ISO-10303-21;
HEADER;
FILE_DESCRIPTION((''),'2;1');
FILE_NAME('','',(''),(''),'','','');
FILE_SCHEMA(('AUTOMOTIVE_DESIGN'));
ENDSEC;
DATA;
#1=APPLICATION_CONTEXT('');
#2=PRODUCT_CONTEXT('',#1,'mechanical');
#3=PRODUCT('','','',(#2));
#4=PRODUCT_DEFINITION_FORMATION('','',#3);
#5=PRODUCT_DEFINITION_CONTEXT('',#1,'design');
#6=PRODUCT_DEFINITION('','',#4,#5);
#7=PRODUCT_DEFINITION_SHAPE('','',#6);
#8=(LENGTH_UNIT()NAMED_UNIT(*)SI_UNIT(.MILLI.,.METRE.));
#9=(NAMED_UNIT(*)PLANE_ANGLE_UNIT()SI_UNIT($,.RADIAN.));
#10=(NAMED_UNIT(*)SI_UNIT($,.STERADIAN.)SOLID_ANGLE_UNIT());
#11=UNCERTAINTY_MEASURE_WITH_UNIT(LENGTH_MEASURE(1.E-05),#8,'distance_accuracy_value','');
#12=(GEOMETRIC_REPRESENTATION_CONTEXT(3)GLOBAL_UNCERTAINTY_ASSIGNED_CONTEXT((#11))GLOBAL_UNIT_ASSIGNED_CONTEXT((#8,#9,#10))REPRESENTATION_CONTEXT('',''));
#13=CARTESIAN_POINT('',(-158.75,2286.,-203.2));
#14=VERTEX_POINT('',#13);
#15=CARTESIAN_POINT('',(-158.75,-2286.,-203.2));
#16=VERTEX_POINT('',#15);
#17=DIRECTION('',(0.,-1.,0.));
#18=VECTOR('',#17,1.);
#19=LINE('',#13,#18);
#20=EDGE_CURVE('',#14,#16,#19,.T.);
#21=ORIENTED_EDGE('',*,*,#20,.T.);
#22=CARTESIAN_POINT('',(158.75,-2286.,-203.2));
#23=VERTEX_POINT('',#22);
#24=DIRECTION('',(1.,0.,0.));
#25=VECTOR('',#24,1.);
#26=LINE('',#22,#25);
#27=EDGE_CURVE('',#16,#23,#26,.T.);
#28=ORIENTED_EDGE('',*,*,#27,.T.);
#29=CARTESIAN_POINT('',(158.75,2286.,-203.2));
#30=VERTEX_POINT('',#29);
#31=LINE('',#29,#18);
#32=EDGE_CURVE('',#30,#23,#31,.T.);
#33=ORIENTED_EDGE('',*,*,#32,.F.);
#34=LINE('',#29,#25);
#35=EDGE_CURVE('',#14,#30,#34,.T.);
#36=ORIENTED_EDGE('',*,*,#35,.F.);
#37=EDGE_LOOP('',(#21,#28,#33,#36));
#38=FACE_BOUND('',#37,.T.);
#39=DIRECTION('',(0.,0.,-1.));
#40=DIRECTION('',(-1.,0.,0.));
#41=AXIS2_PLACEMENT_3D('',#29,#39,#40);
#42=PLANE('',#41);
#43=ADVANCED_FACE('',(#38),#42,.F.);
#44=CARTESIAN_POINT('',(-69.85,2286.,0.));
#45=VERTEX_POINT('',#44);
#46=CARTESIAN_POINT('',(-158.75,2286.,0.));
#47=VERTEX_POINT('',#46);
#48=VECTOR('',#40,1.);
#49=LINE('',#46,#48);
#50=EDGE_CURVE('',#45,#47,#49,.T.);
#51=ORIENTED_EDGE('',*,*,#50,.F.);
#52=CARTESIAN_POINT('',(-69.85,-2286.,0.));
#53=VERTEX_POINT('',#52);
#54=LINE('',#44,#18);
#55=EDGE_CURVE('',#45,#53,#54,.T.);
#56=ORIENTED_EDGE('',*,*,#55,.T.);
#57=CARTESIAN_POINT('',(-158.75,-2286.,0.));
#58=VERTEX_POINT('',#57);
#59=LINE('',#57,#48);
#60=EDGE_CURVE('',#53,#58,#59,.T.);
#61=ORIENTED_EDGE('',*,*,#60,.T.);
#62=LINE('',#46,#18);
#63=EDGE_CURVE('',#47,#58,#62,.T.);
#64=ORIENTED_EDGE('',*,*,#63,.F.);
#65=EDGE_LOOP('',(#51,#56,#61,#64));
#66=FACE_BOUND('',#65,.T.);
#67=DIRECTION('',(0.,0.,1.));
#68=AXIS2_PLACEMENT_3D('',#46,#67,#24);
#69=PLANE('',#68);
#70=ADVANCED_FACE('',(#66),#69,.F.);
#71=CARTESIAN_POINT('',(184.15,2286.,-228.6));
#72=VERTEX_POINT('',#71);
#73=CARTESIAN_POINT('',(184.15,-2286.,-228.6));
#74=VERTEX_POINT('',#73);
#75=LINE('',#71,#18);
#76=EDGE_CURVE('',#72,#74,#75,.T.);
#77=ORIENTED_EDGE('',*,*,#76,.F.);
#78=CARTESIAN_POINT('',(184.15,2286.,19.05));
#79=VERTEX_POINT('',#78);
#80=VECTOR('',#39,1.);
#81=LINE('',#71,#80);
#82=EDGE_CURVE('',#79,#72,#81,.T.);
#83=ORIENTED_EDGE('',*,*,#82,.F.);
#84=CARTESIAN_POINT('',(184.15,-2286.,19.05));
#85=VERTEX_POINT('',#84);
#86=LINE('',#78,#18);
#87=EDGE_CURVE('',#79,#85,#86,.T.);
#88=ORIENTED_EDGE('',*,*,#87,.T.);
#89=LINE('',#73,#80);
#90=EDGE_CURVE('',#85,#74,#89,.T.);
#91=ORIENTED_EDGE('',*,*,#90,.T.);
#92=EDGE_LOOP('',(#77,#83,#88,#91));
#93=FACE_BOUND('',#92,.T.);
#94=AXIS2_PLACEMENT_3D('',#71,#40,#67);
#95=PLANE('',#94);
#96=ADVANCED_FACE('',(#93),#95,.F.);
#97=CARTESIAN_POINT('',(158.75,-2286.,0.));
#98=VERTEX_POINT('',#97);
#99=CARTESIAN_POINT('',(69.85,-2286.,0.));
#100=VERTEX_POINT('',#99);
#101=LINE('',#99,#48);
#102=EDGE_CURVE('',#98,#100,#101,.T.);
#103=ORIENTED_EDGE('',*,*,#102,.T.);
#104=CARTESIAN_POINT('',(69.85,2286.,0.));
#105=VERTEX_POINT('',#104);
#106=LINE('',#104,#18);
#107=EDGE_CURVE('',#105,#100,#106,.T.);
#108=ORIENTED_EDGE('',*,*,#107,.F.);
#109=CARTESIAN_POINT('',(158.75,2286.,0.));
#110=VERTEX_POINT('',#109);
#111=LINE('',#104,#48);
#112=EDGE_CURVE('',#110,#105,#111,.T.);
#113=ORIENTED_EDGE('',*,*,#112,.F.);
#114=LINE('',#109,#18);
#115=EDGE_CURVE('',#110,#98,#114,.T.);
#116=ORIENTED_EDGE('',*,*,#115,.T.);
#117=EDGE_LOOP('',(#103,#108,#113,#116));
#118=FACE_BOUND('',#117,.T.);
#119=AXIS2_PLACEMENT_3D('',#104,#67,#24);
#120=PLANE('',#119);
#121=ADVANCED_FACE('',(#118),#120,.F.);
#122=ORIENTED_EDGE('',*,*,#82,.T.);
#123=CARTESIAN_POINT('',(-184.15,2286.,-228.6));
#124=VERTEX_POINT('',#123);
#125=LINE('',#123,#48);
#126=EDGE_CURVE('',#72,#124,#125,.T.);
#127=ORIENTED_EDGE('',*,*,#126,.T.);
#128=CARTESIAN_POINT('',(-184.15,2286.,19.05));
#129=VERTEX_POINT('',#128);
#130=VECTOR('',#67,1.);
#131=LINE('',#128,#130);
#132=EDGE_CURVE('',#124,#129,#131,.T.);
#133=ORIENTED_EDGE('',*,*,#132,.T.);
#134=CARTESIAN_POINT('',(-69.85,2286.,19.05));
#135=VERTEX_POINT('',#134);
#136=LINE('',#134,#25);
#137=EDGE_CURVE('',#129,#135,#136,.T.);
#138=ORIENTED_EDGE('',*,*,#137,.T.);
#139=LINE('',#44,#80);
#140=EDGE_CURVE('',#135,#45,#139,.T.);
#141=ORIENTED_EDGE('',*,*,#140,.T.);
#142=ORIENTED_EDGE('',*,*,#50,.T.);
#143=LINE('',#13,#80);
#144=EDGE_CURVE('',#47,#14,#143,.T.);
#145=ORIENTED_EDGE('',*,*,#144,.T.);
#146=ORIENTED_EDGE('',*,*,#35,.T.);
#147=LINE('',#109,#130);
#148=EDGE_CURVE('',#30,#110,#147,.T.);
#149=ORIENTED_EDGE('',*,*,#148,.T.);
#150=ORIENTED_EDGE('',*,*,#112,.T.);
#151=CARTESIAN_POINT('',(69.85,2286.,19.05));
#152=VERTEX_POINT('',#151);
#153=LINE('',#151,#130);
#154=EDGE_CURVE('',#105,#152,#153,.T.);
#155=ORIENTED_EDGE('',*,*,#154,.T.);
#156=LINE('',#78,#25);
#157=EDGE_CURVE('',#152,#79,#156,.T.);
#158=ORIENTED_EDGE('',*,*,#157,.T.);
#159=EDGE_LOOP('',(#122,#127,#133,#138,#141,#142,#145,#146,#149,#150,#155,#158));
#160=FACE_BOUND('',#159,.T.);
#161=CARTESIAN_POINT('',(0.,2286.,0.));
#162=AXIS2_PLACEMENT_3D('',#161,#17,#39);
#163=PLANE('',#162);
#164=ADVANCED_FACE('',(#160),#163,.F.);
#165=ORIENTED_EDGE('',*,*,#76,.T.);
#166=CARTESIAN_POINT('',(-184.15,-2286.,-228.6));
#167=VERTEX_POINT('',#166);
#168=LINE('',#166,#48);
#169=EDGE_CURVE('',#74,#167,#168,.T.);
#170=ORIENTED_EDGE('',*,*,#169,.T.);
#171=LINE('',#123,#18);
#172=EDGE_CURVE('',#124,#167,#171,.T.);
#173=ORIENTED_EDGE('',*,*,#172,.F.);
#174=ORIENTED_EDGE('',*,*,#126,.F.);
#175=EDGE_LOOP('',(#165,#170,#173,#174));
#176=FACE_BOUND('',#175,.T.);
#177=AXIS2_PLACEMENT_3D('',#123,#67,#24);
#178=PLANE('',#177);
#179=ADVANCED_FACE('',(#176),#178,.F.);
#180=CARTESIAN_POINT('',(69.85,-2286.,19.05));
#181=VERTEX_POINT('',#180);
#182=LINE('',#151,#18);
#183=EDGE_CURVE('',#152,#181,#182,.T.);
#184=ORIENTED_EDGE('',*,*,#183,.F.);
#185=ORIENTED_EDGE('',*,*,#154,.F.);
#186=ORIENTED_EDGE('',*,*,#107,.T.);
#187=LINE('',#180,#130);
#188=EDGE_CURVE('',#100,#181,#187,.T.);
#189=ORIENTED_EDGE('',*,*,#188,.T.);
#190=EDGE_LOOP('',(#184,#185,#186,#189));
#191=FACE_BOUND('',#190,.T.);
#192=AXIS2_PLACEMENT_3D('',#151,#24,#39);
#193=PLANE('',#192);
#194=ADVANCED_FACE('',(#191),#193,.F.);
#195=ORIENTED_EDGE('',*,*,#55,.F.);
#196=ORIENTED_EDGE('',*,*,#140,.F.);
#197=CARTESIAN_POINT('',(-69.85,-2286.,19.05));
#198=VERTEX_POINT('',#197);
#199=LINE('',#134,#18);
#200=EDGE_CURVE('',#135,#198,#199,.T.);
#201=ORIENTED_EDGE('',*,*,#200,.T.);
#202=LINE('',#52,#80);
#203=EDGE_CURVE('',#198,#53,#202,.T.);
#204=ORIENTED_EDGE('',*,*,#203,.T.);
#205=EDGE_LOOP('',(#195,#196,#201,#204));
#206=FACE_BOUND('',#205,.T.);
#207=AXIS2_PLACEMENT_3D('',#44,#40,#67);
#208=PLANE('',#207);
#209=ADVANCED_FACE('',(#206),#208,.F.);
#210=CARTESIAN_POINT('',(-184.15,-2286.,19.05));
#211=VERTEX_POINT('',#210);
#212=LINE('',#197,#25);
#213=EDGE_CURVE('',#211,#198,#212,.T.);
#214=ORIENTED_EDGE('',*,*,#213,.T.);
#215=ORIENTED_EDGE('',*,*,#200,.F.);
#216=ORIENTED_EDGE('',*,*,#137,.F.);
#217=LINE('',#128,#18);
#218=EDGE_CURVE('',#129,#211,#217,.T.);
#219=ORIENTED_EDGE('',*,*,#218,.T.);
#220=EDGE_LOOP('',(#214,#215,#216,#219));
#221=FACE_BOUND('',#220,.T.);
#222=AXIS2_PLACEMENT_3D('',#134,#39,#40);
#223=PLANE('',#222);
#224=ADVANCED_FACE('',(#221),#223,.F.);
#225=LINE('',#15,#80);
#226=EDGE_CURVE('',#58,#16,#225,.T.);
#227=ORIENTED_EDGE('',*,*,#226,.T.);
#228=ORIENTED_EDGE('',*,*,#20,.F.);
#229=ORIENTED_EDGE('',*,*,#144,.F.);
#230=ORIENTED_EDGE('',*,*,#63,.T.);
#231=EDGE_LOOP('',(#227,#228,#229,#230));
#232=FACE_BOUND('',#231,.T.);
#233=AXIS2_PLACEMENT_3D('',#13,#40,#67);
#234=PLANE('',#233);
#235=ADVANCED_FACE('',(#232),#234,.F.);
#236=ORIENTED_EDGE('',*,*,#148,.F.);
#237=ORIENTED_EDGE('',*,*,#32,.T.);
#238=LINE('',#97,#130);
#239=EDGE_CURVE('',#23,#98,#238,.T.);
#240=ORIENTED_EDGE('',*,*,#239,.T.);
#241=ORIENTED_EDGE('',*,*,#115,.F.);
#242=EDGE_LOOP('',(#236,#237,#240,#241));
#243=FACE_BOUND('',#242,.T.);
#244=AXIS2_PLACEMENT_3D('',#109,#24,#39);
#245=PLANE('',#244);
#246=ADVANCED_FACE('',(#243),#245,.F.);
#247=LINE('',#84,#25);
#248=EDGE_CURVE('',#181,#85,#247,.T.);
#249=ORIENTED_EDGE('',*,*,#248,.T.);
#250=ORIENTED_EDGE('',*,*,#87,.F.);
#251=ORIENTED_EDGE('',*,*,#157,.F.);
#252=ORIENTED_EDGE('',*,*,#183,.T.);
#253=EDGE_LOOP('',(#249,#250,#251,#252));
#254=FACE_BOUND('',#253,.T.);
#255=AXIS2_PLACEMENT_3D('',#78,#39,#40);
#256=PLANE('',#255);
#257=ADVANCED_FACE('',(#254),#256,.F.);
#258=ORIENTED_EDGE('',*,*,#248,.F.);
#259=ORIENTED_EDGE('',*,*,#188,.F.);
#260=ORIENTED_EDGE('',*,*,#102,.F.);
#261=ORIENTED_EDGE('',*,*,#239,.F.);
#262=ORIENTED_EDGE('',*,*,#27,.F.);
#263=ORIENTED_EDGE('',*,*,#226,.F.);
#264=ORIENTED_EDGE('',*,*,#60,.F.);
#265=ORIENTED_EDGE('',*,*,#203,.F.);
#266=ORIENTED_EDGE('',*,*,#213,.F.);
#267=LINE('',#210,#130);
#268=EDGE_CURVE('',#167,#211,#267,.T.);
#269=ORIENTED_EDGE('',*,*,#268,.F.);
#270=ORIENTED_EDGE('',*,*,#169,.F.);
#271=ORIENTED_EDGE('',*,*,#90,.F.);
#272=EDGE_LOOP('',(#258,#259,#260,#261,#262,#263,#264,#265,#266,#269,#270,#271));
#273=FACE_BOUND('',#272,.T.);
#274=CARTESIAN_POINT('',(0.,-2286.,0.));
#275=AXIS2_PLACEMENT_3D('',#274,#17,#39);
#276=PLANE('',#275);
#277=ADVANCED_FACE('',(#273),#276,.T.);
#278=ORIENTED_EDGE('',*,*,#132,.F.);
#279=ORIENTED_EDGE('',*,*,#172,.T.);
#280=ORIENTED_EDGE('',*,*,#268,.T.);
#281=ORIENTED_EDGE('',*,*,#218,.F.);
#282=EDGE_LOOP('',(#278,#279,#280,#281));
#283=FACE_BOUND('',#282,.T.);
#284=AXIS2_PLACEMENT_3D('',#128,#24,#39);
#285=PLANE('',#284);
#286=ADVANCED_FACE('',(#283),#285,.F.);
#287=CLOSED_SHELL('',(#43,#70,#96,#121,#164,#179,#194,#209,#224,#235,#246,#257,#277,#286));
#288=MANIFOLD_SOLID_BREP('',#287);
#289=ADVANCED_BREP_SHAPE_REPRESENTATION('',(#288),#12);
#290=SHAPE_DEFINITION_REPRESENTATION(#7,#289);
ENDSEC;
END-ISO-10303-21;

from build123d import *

# Parameters (mm, degrees)
BOSS_EXTRUDE1_DEPTH = 2286


with BuildPart() as part:
    # Sketch1 → Boss-Extrude1 (new, symmetric)
    with BuildSketch(Plane(origin=(0, 0, 0), x_dir=(1, 0, 0), z_dir=(0, 1, 0))):
        Polygon((-184.15, 228.6), (184.15, 228.6), (184.15, -19.05), (69.85, -19.05), (69.85, 0), (158.75, 0), (158.75, 203.2), (-158.75, 203.2), (-158.75, 0), (-69.85, 0), (-69.85, -19.05), (-184.15, -19.05), align=None)
    extrude(amount=BOSS_EXTRUDE1_DEPTH, both=True)


solid = part.part
